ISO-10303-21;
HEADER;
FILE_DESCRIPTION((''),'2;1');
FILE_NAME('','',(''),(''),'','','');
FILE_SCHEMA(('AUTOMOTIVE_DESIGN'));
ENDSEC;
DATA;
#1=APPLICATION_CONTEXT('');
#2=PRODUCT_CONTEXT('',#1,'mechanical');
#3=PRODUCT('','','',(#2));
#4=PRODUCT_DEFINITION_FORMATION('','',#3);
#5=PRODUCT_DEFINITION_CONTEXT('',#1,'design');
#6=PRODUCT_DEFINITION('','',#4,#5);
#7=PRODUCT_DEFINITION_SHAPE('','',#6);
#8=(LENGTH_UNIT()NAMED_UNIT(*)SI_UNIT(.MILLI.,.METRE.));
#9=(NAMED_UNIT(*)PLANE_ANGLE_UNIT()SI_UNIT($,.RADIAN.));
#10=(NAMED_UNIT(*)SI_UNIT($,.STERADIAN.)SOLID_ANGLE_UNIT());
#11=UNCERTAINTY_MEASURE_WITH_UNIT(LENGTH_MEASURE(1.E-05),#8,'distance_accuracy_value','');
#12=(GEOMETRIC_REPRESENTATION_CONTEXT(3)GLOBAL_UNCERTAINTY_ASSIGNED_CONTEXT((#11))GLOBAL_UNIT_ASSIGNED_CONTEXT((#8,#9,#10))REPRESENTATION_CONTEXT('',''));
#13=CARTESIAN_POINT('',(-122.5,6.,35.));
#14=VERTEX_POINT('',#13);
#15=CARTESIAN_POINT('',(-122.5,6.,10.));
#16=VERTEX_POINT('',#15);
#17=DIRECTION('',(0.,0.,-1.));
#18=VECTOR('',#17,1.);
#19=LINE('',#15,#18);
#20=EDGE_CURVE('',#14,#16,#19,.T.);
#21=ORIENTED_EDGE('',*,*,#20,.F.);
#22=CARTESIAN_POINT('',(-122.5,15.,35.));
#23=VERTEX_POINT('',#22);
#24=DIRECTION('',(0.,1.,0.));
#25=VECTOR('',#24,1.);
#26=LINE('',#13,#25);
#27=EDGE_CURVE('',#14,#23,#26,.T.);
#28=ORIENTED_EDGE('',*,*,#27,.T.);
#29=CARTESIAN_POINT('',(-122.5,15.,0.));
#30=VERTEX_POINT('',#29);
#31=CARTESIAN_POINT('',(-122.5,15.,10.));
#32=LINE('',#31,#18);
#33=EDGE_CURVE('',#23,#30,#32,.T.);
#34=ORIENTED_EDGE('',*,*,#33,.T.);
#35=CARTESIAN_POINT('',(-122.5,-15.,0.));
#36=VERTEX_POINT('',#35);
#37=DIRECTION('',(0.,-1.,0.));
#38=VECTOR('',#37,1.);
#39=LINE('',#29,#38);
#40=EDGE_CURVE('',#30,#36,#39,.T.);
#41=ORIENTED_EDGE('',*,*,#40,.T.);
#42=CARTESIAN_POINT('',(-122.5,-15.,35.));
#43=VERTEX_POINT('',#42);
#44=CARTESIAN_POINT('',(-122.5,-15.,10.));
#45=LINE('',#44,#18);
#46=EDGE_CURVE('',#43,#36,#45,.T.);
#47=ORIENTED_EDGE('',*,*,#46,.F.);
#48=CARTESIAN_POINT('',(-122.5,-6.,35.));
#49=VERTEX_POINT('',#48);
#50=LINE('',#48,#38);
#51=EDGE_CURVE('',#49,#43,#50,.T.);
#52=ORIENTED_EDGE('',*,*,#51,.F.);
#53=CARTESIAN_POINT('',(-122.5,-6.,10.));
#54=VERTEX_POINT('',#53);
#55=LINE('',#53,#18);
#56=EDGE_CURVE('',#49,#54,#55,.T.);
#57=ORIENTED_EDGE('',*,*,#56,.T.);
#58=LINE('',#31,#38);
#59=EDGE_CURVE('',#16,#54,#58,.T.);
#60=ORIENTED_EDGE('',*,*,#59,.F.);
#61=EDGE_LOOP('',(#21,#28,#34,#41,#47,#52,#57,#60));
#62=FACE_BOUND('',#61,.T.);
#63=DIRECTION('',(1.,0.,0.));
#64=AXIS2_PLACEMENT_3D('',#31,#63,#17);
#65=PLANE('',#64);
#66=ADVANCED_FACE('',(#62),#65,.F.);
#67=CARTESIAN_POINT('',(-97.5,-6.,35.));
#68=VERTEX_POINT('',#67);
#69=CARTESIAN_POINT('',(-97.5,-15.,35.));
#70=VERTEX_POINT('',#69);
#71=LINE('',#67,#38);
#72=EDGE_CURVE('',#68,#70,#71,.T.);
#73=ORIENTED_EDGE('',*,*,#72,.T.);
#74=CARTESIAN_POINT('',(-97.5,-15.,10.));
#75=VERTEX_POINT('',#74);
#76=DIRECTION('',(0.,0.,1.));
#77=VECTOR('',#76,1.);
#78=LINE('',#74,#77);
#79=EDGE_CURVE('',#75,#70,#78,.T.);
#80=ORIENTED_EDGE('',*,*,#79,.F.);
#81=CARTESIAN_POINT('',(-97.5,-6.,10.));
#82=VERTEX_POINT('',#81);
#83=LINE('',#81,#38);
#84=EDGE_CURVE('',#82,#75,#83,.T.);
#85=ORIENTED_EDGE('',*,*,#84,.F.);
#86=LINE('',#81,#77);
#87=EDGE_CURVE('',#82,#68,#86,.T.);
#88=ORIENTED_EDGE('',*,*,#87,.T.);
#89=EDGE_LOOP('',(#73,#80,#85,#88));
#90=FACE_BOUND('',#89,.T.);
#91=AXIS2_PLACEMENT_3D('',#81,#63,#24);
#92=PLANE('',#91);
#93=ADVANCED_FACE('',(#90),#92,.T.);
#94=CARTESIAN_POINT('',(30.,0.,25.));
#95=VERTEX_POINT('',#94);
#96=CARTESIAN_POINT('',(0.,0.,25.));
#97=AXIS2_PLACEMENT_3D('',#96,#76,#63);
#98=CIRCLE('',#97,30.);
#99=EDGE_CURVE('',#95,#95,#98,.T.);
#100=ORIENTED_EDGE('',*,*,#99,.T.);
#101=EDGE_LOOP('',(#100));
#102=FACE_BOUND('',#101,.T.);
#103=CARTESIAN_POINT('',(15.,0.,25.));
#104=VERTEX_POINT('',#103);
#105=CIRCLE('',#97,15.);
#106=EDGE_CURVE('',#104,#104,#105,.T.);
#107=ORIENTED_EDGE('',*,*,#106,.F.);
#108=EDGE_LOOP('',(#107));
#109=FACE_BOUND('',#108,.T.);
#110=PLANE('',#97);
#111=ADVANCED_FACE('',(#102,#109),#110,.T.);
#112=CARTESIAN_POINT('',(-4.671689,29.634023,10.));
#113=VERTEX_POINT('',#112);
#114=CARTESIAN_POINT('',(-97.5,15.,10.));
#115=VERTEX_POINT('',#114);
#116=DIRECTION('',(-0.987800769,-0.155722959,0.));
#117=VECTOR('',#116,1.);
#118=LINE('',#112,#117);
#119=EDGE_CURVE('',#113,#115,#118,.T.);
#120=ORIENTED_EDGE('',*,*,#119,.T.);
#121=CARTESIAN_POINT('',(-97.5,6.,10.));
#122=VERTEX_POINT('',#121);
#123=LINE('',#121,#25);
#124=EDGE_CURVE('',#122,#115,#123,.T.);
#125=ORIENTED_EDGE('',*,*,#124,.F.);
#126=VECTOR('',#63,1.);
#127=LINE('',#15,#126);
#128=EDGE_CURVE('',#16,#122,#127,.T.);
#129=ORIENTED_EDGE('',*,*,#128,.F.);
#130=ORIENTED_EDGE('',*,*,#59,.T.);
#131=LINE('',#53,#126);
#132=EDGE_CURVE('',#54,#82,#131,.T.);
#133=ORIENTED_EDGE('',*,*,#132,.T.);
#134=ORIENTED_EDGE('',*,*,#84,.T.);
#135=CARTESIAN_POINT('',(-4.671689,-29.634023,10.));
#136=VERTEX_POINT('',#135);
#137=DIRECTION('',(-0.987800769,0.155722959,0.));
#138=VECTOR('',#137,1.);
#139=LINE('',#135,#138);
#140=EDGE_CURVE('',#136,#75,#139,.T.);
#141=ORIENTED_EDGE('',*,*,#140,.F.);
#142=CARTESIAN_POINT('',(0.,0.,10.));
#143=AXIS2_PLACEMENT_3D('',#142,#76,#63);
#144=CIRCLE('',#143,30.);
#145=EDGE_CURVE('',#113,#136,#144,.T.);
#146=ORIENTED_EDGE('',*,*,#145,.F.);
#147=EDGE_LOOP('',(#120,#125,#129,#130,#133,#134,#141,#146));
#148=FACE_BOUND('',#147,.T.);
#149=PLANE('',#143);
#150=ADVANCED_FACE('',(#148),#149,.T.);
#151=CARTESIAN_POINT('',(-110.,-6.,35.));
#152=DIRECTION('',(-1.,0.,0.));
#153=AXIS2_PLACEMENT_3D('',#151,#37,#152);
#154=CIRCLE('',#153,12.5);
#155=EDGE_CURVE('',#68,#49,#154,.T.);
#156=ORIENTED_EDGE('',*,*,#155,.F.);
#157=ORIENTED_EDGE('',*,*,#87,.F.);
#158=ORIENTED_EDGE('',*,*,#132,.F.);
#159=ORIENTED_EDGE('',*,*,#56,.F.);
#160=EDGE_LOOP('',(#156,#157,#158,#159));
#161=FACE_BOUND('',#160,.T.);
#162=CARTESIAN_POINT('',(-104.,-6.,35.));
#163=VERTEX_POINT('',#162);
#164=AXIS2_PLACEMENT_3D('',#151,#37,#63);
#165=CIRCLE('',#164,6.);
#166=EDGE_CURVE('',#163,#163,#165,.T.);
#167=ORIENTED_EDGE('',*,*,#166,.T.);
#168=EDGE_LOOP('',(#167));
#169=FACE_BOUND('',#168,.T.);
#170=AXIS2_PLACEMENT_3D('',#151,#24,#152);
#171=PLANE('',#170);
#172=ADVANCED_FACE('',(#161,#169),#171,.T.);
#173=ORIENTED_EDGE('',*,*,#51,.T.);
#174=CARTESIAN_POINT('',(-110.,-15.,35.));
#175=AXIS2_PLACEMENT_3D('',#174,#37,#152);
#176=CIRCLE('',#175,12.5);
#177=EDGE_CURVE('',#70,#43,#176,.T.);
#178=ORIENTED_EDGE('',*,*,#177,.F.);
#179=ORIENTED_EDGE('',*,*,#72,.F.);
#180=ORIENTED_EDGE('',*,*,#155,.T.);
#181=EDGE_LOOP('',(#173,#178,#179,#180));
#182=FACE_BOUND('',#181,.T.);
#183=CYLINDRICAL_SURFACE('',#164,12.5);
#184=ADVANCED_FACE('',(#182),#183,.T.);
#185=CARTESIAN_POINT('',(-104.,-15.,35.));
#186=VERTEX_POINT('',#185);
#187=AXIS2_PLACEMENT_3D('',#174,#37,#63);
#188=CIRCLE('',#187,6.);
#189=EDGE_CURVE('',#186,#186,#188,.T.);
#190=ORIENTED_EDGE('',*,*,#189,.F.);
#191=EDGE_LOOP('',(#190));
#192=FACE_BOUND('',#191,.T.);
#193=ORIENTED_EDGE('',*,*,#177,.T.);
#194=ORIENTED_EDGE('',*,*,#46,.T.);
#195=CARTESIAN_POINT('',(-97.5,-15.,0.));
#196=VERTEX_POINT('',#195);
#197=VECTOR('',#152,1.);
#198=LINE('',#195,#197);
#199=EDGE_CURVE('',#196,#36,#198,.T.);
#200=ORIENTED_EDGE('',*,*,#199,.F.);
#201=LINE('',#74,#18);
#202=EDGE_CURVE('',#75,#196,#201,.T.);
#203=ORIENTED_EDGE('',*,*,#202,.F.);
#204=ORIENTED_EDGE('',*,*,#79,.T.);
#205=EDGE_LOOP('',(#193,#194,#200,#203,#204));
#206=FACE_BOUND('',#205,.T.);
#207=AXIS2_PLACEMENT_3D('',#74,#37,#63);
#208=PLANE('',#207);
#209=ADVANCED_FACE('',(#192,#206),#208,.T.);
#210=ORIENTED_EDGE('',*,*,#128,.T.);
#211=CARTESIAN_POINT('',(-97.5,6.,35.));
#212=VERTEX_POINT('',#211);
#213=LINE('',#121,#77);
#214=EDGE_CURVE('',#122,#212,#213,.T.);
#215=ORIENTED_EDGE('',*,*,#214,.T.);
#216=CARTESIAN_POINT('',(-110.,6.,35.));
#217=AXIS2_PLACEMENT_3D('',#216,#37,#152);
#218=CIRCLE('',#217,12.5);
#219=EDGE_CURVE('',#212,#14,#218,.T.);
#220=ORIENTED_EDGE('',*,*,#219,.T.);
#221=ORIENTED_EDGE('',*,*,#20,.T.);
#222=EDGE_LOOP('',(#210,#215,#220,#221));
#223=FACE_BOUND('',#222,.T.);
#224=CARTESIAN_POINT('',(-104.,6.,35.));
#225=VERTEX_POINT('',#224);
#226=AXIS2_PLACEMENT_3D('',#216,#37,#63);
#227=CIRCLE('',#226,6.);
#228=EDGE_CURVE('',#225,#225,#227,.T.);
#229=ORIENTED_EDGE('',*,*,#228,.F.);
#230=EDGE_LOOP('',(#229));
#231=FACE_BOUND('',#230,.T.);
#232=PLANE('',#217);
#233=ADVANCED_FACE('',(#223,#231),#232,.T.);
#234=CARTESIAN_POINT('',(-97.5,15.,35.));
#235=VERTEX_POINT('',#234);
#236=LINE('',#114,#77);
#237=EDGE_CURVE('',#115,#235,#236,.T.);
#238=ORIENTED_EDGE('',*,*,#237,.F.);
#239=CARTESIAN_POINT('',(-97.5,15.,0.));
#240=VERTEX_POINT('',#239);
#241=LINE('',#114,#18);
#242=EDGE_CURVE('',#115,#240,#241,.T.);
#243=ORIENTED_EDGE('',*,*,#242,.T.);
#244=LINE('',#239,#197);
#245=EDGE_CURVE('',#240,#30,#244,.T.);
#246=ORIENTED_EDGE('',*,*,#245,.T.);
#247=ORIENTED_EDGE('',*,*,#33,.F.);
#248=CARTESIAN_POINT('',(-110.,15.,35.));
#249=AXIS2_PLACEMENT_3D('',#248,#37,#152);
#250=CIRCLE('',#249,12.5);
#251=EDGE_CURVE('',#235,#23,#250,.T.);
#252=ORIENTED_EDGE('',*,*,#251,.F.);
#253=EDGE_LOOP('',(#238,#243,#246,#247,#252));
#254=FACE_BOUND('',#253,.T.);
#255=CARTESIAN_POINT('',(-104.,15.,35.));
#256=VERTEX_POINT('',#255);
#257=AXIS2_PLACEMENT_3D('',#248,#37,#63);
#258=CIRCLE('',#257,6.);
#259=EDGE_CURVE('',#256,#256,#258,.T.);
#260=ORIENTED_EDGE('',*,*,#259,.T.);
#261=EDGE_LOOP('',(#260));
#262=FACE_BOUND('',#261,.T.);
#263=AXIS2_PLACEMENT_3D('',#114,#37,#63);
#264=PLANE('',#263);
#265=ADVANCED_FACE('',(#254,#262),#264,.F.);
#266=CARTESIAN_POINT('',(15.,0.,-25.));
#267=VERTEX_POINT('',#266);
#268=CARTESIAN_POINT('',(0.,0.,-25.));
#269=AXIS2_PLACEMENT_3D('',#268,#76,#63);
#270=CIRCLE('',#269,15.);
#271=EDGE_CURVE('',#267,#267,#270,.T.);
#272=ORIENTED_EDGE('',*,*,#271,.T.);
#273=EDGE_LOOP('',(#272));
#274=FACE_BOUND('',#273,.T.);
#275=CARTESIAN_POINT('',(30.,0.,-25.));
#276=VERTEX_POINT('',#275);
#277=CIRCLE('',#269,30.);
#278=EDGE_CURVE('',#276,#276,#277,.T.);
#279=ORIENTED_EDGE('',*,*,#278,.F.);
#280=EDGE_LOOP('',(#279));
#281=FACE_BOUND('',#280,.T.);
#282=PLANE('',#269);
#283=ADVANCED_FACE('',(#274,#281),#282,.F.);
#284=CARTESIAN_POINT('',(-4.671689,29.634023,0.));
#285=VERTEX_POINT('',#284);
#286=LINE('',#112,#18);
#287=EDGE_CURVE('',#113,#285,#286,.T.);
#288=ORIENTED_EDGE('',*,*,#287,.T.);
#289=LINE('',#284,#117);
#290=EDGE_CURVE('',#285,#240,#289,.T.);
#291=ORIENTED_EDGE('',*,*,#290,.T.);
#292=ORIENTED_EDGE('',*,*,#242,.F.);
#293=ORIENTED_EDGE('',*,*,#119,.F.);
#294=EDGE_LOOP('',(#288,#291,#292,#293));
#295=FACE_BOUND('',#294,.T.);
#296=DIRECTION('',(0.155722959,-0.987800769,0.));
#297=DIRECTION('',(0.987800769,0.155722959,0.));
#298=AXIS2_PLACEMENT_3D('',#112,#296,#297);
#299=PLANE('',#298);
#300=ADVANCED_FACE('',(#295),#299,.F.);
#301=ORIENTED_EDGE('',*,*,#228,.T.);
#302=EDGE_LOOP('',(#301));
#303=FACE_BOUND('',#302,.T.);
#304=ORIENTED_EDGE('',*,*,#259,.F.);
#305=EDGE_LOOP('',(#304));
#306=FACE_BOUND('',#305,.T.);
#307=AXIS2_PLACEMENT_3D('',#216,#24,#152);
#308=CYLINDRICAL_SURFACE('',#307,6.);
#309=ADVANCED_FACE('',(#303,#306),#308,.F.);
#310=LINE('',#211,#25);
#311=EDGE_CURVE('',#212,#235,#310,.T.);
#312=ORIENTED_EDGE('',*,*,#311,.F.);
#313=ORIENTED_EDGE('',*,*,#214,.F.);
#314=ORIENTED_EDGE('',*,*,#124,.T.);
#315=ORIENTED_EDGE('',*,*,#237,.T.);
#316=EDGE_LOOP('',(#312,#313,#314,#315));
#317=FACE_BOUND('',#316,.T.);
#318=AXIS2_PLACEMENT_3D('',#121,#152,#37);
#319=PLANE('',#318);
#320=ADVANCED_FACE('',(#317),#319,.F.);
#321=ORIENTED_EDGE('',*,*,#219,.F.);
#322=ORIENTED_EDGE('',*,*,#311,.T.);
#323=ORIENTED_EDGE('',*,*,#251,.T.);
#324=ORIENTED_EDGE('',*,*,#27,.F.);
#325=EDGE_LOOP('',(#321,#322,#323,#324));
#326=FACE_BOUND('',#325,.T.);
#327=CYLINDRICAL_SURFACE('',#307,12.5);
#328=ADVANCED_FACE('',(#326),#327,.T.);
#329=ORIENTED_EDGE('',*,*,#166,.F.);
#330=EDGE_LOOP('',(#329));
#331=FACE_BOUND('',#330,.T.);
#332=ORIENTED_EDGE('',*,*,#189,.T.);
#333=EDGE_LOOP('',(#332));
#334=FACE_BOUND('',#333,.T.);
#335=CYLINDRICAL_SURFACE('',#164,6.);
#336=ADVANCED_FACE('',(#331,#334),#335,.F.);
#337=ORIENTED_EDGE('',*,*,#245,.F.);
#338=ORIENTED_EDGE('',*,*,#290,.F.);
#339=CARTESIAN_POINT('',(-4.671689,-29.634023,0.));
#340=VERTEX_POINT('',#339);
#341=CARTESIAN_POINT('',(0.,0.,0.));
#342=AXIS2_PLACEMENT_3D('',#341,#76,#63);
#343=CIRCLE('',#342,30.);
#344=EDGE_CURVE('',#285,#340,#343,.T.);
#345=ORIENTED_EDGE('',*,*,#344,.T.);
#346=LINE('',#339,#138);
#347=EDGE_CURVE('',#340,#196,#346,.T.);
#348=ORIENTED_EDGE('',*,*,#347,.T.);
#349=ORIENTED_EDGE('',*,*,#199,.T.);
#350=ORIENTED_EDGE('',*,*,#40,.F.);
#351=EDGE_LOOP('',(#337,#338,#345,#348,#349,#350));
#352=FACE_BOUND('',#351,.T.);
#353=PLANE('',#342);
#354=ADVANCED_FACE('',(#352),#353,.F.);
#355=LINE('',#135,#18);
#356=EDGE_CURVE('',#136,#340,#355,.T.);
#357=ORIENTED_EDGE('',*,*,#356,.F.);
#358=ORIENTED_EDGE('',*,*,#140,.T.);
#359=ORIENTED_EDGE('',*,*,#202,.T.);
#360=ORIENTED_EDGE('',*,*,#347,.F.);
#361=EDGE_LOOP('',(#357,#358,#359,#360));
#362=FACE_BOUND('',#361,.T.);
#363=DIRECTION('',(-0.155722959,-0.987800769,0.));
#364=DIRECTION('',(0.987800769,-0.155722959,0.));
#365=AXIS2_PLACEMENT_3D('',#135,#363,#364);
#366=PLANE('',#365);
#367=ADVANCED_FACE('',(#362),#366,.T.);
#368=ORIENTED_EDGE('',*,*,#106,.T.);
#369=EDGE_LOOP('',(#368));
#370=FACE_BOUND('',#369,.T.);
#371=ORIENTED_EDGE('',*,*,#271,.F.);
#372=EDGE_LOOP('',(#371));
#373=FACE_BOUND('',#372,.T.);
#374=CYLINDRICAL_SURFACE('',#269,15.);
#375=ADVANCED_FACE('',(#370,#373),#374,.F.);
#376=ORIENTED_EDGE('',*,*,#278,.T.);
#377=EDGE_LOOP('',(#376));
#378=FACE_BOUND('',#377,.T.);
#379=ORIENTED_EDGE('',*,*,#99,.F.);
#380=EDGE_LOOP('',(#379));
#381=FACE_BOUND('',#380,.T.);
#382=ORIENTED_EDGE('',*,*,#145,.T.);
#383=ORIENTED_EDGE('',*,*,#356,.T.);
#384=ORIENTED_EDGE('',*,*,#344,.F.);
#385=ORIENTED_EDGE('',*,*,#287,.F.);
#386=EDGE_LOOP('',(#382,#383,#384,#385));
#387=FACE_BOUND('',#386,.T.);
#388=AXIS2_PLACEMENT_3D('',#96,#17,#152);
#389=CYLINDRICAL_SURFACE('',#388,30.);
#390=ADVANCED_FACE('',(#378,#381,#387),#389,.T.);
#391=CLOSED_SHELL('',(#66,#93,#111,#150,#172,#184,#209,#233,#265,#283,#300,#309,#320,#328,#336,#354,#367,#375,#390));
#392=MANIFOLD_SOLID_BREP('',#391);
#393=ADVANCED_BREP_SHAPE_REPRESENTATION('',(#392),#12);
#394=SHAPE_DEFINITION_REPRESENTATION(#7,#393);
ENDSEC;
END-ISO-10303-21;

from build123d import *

# Parameters (mm, degrees)
SKETCH1_R           = 30
BOSS_EXTRUDE1_DEPTH = 25
SKETCH2_R           = 15
CUT_EXTRUDE1_DEPTH  = 50
BOSS_EXTRUDE3_DEPTH = 10
SKETCH8_R           = 6
BOSS_EXTRUDE4_DEPTH = 9


with BuildPart() as part:
    # Sketch1 → Boss-Extrude1 (new body, symmetric)
    with BuildSketch(Plane.XY):
        Circle(SKETCH1_R)
    extrude(amount=BOSS_EXTRUDE1_DEPTH, both=True)

    # Sketch2 → Cut-Extrude1 (cut)
    with BuildSketch(Plane.XY.offset(25)):
        Circle(SKETCH2_R)
    extrude(amount=-CUT_EXTRUDE1_DEPTH, mode=Mode.SUBTRACT)

    # Sketch6 → Boss-Extrude3 (add)
    with BuildSketch(Plane.XY):
        with BuildLine():
            Line((-4.671688756, 29.634023084), (-97.5, 15))
            Line((-97.5, 15), (-122.5, 15))
            Line((-122.5, 15), (-122.5, -15))
            Line((-122.5, -15), (-97.5, -15))
            Line((-97.5, -15), (-4.671688756, -29.634023084))
            ThreePointArc((-4.671688756, -29.634023084), (-30, 0), (-4.671688756, 29.634023084))
        make_face()
    extrude(amount=BOSS_EXTRUDE3_DEPTH)

    # Sketch8 → Boss-Extrude4 (add)
    with BuildSketch(Plane.XZ.offset(15)):
        with BuildLine():
            Line((-122.5, 10), (-122.5, 35))
            ThreePointArc((-122.5, 35), (-110, 47.5), (-97.5, 35))
            Line((-97.5, 35), (-97.5, 10))
            Line((-97.5, 10), (-122.5, 10))
        make_face()
        with Locations((-110, 35)):
            Circle(SKETCH8_R, mode=Mode.SUBTRACT)
    boss_extrude4 = extrude(amount=-BOSS_EXTRUDE4_DEPTH)

    # Mirror1: Boss-Extrude4 across plane
    add(boss_extrude4.mirror(Plane.ZX))


solid = part.part
